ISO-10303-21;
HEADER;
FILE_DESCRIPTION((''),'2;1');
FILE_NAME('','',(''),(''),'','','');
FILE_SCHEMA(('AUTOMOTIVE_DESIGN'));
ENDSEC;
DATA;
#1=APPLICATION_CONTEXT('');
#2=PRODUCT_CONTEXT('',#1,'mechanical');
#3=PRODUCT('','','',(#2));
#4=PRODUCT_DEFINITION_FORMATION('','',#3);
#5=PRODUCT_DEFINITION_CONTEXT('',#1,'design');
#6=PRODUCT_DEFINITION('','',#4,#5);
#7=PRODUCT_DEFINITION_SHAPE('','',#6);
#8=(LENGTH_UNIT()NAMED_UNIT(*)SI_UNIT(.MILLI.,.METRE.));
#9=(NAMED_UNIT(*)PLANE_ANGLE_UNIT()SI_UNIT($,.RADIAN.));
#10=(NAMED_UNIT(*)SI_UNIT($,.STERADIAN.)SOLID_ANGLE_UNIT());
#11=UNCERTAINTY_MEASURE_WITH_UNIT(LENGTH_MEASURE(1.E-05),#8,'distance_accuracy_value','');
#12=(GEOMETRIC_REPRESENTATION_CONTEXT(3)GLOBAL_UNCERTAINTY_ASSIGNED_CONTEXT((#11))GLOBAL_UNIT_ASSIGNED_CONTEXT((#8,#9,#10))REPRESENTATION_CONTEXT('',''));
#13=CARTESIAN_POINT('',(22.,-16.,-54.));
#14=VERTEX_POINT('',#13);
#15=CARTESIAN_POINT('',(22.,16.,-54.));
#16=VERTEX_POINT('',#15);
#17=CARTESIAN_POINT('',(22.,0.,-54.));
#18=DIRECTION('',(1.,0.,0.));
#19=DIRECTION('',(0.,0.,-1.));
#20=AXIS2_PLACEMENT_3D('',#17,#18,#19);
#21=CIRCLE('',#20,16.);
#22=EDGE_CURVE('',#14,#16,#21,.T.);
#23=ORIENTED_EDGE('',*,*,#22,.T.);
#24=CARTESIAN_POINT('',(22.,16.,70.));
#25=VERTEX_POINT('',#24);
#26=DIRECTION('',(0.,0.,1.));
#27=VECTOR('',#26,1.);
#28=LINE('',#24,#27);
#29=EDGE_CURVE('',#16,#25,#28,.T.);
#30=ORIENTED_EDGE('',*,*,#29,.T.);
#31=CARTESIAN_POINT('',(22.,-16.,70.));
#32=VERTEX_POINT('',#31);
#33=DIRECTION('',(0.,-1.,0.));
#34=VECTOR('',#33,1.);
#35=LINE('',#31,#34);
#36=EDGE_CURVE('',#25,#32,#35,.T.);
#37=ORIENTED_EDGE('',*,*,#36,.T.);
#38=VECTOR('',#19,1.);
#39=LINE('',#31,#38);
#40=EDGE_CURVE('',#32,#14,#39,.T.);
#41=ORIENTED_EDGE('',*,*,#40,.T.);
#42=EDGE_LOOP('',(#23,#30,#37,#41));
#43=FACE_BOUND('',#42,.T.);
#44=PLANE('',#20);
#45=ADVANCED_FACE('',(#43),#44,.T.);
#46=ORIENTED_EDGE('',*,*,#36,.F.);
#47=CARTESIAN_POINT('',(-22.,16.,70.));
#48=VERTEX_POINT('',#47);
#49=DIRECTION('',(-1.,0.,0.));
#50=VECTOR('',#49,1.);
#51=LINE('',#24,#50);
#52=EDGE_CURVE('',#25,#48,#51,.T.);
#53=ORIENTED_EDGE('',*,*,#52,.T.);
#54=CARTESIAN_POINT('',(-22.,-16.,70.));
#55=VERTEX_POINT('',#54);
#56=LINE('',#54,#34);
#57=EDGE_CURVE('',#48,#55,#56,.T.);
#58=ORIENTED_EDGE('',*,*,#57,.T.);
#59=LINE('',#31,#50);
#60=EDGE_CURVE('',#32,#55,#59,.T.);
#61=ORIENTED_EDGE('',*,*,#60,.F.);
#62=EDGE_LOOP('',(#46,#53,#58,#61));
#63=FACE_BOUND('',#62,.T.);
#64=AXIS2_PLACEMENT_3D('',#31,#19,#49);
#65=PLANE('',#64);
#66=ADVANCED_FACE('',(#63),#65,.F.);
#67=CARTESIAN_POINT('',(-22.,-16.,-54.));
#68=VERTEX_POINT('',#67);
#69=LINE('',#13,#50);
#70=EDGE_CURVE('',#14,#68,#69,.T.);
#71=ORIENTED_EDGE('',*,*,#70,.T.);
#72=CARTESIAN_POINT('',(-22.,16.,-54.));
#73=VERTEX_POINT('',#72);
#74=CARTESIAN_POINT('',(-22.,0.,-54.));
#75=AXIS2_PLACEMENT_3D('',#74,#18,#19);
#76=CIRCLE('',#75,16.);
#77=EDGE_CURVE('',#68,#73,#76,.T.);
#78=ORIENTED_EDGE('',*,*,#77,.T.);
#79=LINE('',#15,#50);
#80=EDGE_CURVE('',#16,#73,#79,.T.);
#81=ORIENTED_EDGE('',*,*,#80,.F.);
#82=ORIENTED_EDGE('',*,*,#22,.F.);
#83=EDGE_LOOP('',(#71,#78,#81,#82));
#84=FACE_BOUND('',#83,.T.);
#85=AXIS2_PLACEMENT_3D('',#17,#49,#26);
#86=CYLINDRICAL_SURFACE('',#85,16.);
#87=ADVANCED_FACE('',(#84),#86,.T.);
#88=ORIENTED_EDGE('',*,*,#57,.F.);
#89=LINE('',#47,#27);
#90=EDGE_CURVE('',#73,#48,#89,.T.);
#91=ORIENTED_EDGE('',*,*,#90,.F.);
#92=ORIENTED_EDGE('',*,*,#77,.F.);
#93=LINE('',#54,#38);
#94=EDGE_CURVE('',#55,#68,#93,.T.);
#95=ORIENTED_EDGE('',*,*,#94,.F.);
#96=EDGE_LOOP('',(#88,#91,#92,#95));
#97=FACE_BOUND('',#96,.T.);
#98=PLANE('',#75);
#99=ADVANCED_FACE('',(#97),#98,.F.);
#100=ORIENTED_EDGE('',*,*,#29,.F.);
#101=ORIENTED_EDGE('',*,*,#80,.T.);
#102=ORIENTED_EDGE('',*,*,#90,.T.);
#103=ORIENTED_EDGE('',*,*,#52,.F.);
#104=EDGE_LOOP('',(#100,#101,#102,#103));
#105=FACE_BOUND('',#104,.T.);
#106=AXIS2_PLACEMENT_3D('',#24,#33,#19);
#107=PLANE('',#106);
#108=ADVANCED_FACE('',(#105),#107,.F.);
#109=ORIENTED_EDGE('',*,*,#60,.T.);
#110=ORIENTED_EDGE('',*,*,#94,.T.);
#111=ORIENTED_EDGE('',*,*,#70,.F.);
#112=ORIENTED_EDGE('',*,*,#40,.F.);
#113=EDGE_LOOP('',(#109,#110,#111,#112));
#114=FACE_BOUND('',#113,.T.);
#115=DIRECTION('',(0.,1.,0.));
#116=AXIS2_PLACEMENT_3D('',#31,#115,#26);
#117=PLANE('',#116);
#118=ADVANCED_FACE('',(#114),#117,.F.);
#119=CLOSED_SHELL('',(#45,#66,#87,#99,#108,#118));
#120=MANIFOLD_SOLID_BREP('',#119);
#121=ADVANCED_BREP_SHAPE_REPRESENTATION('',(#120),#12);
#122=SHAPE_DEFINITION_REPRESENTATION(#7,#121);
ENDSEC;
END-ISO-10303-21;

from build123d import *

# Parameters (mm, degrees)
BOSS_EXTRUDE1_DEPTH = 22


with BuildPart() as part:
    # Sketch1 → Boss-Extrude1 (new, symmetric)
    with BuildSketch(Plane(origin=(0, 0, 0), x_dir=(0, 0, -1), z_dir=(1, 0, 0))):
        with BuildLine():
            Line((-70, -16), (54, -16))
            ThreePointArc((54, -16), (70, 0), (54, 16))
            Line((54, 16), (-70, 16))
            Line((-70, 16), (-70, -16))
        make_face()
    extrude(amount=BOSS_EXTRUDE1_DEPTH, both=True)


solid = part.part
